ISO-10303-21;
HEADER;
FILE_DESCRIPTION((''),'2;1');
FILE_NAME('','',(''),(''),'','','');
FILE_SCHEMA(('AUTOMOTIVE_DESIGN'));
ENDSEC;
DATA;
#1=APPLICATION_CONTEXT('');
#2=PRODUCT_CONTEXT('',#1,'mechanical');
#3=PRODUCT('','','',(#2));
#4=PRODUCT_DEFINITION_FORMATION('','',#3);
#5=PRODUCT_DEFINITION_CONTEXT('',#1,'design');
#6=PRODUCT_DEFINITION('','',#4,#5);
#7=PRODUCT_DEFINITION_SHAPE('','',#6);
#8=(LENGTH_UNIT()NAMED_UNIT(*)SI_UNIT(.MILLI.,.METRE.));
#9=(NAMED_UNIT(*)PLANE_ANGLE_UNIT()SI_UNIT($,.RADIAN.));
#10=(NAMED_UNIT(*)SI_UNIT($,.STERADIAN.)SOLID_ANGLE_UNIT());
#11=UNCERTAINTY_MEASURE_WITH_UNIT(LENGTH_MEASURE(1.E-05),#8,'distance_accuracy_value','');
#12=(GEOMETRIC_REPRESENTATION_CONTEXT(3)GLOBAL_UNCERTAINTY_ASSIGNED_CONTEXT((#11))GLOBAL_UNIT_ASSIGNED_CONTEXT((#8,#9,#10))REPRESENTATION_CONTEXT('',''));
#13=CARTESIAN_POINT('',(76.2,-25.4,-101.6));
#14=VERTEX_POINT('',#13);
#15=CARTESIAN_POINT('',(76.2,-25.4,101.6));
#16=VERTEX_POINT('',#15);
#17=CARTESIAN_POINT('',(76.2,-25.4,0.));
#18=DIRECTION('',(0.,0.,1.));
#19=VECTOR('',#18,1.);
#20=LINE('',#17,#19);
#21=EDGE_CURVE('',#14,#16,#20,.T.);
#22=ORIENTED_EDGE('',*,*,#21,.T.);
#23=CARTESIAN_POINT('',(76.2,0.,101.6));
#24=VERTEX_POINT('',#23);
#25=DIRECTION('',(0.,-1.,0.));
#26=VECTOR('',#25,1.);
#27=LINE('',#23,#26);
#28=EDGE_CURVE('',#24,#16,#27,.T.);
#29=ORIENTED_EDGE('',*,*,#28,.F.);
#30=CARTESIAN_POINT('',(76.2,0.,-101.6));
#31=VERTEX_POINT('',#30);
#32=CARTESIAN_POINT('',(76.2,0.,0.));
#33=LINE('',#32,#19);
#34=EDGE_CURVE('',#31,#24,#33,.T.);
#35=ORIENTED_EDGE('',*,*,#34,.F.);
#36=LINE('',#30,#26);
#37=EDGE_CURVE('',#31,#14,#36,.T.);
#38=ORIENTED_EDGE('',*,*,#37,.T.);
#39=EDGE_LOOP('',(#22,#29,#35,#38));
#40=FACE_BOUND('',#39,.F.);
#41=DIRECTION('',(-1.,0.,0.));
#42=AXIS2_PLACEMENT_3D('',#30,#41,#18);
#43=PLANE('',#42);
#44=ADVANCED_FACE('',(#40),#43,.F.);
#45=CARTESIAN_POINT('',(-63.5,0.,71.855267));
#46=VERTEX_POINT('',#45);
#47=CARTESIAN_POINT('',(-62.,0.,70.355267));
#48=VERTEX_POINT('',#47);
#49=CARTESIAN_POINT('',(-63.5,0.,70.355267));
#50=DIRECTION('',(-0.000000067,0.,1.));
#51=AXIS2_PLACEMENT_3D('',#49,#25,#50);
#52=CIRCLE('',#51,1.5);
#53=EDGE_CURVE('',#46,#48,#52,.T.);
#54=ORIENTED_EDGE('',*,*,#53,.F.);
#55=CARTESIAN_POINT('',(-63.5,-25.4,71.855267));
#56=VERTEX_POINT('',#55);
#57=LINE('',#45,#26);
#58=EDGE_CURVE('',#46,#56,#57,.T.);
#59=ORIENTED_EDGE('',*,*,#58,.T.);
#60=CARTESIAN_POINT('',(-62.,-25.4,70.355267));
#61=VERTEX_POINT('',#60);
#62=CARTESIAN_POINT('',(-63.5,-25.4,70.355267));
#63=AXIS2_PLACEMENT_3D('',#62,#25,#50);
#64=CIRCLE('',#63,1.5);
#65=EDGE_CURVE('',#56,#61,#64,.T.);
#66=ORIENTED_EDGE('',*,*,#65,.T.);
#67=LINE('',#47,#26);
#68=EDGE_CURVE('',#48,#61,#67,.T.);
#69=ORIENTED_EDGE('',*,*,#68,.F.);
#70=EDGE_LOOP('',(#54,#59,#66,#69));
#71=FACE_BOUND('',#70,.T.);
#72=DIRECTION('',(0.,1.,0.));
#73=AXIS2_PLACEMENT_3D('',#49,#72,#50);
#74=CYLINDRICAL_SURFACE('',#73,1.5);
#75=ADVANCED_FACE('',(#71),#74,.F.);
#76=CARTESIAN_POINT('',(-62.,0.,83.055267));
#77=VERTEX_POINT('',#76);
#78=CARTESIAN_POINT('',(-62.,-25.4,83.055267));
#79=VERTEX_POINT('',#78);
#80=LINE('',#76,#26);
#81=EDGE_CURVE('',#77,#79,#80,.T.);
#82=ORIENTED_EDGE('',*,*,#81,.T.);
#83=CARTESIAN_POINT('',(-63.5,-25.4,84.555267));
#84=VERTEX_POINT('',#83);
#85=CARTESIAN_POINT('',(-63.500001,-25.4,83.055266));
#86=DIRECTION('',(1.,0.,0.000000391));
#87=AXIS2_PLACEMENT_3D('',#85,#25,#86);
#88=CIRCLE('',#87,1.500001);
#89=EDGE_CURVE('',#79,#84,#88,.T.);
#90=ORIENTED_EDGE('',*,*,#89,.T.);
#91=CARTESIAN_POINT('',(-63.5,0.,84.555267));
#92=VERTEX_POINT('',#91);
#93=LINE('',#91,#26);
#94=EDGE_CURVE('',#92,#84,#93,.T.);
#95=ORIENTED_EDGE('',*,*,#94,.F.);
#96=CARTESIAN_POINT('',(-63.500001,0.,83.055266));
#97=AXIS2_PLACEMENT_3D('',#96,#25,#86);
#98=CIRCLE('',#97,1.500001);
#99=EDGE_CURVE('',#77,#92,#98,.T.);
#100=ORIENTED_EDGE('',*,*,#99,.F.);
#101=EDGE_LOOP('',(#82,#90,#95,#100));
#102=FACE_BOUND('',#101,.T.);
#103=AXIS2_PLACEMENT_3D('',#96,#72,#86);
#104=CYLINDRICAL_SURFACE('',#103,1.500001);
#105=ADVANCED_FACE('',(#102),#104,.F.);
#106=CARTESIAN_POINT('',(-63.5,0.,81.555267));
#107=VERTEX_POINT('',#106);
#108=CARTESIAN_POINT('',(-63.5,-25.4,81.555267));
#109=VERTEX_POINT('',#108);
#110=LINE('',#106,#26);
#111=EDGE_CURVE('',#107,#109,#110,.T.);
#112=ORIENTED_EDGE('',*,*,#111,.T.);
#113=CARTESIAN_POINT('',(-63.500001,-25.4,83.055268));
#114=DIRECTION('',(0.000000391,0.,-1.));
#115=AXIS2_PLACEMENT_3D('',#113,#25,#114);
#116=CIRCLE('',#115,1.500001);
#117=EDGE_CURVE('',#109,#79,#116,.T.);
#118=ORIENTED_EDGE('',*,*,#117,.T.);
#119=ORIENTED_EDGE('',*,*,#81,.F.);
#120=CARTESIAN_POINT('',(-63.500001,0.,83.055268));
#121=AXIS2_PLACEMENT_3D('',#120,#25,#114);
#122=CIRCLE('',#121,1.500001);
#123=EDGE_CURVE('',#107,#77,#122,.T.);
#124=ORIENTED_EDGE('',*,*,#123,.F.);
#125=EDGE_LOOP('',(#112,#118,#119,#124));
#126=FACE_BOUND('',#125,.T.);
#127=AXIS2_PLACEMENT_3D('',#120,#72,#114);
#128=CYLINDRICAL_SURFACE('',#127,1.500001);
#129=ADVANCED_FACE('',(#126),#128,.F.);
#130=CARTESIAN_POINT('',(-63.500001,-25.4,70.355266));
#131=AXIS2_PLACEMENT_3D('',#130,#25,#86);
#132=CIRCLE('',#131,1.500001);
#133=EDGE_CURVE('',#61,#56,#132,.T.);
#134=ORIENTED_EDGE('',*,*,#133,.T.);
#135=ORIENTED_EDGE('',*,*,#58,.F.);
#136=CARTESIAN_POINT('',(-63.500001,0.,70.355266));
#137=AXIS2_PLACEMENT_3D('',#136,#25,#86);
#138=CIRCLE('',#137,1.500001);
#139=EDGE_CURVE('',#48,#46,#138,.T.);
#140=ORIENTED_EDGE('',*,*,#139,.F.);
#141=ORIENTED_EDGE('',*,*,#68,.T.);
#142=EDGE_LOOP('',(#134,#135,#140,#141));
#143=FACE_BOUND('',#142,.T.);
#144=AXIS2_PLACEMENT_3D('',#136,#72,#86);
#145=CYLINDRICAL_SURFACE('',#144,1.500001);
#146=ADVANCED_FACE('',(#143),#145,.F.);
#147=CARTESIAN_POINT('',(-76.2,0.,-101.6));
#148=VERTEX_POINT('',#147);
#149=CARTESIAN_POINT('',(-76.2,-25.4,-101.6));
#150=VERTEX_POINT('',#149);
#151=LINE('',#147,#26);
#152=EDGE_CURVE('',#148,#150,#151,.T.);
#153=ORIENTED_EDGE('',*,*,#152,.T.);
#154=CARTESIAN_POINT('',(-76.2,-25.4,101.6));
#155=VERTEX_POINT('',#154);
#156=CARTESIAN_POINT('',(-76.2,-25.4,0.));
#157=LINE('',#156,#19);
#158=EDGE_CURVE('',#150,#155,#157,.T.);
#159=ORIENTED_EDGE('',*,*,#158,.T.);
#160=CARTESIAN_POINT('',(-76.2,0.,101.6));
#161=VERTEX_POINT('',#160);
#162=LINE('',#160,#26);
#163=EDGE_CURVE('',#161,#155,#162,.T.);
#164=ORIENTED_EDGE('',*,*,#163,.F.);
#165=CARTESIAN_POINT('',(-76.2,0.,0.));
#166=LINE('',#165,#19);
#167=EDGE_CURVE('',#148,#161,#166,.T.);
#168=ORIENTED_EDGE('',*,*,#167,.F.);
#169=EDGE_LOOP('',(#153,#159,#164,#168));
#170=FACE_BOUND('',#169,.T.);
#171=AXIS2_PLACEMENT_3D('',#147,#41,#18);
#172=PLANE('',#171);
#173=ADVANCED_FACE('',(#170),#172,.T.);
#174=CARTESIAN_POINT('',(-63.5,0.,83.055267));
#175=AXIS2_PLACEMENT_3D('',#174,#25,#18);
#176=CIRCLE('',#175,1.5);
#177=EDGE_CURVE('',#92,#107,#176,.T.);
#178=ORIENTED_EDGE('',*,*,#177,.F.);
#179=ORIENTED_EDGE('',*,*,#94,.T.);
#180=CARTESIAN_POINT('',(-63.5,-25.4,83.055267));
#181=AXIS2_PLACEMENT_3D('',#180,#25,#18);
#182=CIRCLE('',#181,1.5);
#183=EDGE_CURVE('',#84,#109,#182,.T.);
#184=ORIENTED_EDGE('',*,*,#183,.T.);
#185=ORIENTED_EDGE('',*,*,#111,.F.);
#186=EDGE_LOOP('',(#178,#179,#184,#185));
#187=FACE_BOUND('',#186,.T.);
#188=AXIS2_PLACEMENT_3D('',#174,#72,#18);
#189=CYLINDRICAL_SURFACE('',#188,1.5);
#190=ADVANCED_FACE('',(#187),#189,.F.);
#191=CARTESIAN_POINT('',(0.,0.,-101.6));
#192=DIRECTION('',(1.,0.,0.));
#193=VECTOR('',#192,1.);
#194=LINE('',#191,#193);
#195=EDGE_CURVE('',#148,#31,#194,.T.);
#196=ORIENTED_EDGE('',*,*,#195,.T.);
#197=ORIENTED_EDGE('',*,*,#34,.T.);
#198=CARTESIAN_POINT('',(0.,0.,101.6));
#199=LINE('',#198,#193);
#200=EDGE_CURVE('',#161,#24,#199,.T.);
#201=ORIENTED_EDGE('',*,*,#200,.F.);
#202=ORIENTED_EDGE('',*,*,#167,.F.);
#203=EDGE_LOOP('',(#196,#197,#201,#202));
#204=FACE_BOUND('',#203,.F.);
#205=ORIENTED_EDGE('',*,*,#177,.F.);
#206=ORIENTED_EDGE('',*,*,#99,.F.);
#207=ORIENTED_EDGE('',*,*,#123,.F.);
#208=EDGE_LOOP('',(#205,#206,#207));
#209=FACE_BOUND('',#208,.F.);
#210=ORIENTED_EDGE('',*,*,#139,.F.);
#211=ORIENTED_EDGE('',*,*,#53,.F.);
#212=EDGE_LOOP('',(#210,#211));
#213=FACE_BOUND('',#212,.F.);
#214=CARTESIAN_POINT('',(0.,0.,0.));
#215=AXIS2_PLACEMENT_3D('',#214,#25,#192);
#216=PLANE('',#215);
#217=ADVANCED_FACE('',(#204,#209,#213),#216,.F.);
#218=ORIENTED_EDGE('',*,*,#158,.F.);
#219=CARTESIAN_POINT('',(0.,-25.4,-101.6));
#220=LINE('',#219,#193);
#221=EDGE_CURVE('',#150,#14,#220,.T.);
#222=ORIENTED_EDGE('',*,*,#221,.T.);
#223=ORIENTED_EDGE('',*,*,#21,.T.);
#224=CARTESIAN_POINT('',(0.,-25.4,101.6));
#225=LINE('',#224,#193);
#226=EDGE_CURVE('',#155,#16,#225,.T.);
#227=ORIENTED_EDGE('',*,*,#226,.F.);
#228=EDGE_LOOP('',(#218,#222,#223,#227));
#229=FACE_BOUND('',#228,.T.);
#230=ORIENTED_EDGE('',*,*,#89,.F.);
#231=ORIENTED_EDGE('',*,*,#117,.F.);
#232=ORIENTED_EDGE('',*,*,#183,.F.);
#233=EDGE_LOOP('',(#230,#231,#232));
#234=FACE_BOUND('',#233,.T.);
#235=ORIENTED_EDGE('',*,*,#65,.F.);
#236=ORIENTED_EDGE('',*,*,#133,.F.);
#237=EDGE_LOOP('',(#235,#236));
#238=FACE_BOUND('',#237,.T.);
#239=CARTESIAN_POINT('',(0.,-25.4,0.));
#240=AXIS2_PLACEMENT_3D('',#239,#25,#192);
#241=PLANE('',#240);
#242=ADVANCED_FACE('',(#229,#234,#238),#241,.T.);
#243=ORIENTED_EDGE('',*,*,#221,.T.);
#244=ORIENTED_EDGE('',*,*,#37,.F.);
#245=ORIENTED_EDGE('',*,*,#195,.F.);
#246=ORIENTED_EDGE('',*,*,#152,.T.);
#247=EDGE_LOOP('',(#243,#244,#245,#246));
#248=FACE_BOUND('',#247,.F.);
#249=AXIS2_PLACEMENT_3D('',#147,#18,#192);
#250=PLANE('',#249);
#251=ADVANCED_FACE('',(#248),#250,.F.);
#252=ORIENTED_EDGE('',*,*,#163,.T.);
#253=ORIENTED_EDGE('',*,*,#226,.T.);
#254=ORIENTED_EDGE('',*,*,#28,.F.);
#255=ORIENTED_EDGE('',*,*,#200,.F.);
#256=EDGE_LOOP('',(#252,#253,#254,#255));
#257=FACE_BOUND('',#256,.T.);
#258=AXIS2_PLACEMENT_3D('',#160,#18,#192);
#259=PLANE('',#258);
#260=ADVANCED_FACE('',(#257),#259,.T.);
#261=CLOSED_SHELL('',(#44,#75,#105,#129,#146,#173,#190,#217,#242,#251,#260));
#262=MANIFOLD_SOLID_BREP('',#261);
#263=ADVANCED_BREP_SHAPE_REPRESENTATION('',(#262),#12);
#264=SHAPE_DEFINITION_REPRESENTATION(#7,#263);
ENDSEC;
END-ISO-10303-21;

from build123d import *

# Parameters (mm, degrees)
F0_W     = 152.4
F0_H     = 203.2
F2_DEPTH = 25.4
F3_DEPTH = 25.4


with BuildPart() as f2:
    # F0 (on Front) → F2 (new body)
    with BuildSketch(Plane.XZ):
        Rectangle(F0_W, F0_H)
    extrude(amount=F2_DEPTH)

    # F1 (on Front) → F3 (cut)
    with BuildSketch(Plane.XZ):
        with BuildLine():
            Line((-63.5, 83.055267), (-63.5, 84.555267))
            ThreePointArc((-63.5, 84.555267), (-65, 83.055267), (-63.5, 81.555267))
            Line((-63.5, 81.555267), (-63.5, 83.055267))
        make_face()
        with BuildLine():
            ThreePointArc((-62, 83.055267), (-62.43934, 84.115927), (-63.5, 84.555267))
            Line((-63.5, 84.555267), (-63.5, 83.055267))
            Line((-63.5, 83.055267), (-63.5, 81.555267))
            ThreePointArc((-63.5, 81.555267), (-62.43934, 81.994607), (-62, 83.055267))
        make_face()
        with BuildLine():
            ThreePointArc((-62, 70.355267), (-62.43934, 71.415927), (-63.5, 71.855267))
            ThreePointArc((-63.5, 71.855267), (-64.56066, 69.294607), (-62, 70.355267))
        make_face()
    extrude(amount=F3_DEPTH, mode=Mode.SUBTRACT)


solid = f2.part
